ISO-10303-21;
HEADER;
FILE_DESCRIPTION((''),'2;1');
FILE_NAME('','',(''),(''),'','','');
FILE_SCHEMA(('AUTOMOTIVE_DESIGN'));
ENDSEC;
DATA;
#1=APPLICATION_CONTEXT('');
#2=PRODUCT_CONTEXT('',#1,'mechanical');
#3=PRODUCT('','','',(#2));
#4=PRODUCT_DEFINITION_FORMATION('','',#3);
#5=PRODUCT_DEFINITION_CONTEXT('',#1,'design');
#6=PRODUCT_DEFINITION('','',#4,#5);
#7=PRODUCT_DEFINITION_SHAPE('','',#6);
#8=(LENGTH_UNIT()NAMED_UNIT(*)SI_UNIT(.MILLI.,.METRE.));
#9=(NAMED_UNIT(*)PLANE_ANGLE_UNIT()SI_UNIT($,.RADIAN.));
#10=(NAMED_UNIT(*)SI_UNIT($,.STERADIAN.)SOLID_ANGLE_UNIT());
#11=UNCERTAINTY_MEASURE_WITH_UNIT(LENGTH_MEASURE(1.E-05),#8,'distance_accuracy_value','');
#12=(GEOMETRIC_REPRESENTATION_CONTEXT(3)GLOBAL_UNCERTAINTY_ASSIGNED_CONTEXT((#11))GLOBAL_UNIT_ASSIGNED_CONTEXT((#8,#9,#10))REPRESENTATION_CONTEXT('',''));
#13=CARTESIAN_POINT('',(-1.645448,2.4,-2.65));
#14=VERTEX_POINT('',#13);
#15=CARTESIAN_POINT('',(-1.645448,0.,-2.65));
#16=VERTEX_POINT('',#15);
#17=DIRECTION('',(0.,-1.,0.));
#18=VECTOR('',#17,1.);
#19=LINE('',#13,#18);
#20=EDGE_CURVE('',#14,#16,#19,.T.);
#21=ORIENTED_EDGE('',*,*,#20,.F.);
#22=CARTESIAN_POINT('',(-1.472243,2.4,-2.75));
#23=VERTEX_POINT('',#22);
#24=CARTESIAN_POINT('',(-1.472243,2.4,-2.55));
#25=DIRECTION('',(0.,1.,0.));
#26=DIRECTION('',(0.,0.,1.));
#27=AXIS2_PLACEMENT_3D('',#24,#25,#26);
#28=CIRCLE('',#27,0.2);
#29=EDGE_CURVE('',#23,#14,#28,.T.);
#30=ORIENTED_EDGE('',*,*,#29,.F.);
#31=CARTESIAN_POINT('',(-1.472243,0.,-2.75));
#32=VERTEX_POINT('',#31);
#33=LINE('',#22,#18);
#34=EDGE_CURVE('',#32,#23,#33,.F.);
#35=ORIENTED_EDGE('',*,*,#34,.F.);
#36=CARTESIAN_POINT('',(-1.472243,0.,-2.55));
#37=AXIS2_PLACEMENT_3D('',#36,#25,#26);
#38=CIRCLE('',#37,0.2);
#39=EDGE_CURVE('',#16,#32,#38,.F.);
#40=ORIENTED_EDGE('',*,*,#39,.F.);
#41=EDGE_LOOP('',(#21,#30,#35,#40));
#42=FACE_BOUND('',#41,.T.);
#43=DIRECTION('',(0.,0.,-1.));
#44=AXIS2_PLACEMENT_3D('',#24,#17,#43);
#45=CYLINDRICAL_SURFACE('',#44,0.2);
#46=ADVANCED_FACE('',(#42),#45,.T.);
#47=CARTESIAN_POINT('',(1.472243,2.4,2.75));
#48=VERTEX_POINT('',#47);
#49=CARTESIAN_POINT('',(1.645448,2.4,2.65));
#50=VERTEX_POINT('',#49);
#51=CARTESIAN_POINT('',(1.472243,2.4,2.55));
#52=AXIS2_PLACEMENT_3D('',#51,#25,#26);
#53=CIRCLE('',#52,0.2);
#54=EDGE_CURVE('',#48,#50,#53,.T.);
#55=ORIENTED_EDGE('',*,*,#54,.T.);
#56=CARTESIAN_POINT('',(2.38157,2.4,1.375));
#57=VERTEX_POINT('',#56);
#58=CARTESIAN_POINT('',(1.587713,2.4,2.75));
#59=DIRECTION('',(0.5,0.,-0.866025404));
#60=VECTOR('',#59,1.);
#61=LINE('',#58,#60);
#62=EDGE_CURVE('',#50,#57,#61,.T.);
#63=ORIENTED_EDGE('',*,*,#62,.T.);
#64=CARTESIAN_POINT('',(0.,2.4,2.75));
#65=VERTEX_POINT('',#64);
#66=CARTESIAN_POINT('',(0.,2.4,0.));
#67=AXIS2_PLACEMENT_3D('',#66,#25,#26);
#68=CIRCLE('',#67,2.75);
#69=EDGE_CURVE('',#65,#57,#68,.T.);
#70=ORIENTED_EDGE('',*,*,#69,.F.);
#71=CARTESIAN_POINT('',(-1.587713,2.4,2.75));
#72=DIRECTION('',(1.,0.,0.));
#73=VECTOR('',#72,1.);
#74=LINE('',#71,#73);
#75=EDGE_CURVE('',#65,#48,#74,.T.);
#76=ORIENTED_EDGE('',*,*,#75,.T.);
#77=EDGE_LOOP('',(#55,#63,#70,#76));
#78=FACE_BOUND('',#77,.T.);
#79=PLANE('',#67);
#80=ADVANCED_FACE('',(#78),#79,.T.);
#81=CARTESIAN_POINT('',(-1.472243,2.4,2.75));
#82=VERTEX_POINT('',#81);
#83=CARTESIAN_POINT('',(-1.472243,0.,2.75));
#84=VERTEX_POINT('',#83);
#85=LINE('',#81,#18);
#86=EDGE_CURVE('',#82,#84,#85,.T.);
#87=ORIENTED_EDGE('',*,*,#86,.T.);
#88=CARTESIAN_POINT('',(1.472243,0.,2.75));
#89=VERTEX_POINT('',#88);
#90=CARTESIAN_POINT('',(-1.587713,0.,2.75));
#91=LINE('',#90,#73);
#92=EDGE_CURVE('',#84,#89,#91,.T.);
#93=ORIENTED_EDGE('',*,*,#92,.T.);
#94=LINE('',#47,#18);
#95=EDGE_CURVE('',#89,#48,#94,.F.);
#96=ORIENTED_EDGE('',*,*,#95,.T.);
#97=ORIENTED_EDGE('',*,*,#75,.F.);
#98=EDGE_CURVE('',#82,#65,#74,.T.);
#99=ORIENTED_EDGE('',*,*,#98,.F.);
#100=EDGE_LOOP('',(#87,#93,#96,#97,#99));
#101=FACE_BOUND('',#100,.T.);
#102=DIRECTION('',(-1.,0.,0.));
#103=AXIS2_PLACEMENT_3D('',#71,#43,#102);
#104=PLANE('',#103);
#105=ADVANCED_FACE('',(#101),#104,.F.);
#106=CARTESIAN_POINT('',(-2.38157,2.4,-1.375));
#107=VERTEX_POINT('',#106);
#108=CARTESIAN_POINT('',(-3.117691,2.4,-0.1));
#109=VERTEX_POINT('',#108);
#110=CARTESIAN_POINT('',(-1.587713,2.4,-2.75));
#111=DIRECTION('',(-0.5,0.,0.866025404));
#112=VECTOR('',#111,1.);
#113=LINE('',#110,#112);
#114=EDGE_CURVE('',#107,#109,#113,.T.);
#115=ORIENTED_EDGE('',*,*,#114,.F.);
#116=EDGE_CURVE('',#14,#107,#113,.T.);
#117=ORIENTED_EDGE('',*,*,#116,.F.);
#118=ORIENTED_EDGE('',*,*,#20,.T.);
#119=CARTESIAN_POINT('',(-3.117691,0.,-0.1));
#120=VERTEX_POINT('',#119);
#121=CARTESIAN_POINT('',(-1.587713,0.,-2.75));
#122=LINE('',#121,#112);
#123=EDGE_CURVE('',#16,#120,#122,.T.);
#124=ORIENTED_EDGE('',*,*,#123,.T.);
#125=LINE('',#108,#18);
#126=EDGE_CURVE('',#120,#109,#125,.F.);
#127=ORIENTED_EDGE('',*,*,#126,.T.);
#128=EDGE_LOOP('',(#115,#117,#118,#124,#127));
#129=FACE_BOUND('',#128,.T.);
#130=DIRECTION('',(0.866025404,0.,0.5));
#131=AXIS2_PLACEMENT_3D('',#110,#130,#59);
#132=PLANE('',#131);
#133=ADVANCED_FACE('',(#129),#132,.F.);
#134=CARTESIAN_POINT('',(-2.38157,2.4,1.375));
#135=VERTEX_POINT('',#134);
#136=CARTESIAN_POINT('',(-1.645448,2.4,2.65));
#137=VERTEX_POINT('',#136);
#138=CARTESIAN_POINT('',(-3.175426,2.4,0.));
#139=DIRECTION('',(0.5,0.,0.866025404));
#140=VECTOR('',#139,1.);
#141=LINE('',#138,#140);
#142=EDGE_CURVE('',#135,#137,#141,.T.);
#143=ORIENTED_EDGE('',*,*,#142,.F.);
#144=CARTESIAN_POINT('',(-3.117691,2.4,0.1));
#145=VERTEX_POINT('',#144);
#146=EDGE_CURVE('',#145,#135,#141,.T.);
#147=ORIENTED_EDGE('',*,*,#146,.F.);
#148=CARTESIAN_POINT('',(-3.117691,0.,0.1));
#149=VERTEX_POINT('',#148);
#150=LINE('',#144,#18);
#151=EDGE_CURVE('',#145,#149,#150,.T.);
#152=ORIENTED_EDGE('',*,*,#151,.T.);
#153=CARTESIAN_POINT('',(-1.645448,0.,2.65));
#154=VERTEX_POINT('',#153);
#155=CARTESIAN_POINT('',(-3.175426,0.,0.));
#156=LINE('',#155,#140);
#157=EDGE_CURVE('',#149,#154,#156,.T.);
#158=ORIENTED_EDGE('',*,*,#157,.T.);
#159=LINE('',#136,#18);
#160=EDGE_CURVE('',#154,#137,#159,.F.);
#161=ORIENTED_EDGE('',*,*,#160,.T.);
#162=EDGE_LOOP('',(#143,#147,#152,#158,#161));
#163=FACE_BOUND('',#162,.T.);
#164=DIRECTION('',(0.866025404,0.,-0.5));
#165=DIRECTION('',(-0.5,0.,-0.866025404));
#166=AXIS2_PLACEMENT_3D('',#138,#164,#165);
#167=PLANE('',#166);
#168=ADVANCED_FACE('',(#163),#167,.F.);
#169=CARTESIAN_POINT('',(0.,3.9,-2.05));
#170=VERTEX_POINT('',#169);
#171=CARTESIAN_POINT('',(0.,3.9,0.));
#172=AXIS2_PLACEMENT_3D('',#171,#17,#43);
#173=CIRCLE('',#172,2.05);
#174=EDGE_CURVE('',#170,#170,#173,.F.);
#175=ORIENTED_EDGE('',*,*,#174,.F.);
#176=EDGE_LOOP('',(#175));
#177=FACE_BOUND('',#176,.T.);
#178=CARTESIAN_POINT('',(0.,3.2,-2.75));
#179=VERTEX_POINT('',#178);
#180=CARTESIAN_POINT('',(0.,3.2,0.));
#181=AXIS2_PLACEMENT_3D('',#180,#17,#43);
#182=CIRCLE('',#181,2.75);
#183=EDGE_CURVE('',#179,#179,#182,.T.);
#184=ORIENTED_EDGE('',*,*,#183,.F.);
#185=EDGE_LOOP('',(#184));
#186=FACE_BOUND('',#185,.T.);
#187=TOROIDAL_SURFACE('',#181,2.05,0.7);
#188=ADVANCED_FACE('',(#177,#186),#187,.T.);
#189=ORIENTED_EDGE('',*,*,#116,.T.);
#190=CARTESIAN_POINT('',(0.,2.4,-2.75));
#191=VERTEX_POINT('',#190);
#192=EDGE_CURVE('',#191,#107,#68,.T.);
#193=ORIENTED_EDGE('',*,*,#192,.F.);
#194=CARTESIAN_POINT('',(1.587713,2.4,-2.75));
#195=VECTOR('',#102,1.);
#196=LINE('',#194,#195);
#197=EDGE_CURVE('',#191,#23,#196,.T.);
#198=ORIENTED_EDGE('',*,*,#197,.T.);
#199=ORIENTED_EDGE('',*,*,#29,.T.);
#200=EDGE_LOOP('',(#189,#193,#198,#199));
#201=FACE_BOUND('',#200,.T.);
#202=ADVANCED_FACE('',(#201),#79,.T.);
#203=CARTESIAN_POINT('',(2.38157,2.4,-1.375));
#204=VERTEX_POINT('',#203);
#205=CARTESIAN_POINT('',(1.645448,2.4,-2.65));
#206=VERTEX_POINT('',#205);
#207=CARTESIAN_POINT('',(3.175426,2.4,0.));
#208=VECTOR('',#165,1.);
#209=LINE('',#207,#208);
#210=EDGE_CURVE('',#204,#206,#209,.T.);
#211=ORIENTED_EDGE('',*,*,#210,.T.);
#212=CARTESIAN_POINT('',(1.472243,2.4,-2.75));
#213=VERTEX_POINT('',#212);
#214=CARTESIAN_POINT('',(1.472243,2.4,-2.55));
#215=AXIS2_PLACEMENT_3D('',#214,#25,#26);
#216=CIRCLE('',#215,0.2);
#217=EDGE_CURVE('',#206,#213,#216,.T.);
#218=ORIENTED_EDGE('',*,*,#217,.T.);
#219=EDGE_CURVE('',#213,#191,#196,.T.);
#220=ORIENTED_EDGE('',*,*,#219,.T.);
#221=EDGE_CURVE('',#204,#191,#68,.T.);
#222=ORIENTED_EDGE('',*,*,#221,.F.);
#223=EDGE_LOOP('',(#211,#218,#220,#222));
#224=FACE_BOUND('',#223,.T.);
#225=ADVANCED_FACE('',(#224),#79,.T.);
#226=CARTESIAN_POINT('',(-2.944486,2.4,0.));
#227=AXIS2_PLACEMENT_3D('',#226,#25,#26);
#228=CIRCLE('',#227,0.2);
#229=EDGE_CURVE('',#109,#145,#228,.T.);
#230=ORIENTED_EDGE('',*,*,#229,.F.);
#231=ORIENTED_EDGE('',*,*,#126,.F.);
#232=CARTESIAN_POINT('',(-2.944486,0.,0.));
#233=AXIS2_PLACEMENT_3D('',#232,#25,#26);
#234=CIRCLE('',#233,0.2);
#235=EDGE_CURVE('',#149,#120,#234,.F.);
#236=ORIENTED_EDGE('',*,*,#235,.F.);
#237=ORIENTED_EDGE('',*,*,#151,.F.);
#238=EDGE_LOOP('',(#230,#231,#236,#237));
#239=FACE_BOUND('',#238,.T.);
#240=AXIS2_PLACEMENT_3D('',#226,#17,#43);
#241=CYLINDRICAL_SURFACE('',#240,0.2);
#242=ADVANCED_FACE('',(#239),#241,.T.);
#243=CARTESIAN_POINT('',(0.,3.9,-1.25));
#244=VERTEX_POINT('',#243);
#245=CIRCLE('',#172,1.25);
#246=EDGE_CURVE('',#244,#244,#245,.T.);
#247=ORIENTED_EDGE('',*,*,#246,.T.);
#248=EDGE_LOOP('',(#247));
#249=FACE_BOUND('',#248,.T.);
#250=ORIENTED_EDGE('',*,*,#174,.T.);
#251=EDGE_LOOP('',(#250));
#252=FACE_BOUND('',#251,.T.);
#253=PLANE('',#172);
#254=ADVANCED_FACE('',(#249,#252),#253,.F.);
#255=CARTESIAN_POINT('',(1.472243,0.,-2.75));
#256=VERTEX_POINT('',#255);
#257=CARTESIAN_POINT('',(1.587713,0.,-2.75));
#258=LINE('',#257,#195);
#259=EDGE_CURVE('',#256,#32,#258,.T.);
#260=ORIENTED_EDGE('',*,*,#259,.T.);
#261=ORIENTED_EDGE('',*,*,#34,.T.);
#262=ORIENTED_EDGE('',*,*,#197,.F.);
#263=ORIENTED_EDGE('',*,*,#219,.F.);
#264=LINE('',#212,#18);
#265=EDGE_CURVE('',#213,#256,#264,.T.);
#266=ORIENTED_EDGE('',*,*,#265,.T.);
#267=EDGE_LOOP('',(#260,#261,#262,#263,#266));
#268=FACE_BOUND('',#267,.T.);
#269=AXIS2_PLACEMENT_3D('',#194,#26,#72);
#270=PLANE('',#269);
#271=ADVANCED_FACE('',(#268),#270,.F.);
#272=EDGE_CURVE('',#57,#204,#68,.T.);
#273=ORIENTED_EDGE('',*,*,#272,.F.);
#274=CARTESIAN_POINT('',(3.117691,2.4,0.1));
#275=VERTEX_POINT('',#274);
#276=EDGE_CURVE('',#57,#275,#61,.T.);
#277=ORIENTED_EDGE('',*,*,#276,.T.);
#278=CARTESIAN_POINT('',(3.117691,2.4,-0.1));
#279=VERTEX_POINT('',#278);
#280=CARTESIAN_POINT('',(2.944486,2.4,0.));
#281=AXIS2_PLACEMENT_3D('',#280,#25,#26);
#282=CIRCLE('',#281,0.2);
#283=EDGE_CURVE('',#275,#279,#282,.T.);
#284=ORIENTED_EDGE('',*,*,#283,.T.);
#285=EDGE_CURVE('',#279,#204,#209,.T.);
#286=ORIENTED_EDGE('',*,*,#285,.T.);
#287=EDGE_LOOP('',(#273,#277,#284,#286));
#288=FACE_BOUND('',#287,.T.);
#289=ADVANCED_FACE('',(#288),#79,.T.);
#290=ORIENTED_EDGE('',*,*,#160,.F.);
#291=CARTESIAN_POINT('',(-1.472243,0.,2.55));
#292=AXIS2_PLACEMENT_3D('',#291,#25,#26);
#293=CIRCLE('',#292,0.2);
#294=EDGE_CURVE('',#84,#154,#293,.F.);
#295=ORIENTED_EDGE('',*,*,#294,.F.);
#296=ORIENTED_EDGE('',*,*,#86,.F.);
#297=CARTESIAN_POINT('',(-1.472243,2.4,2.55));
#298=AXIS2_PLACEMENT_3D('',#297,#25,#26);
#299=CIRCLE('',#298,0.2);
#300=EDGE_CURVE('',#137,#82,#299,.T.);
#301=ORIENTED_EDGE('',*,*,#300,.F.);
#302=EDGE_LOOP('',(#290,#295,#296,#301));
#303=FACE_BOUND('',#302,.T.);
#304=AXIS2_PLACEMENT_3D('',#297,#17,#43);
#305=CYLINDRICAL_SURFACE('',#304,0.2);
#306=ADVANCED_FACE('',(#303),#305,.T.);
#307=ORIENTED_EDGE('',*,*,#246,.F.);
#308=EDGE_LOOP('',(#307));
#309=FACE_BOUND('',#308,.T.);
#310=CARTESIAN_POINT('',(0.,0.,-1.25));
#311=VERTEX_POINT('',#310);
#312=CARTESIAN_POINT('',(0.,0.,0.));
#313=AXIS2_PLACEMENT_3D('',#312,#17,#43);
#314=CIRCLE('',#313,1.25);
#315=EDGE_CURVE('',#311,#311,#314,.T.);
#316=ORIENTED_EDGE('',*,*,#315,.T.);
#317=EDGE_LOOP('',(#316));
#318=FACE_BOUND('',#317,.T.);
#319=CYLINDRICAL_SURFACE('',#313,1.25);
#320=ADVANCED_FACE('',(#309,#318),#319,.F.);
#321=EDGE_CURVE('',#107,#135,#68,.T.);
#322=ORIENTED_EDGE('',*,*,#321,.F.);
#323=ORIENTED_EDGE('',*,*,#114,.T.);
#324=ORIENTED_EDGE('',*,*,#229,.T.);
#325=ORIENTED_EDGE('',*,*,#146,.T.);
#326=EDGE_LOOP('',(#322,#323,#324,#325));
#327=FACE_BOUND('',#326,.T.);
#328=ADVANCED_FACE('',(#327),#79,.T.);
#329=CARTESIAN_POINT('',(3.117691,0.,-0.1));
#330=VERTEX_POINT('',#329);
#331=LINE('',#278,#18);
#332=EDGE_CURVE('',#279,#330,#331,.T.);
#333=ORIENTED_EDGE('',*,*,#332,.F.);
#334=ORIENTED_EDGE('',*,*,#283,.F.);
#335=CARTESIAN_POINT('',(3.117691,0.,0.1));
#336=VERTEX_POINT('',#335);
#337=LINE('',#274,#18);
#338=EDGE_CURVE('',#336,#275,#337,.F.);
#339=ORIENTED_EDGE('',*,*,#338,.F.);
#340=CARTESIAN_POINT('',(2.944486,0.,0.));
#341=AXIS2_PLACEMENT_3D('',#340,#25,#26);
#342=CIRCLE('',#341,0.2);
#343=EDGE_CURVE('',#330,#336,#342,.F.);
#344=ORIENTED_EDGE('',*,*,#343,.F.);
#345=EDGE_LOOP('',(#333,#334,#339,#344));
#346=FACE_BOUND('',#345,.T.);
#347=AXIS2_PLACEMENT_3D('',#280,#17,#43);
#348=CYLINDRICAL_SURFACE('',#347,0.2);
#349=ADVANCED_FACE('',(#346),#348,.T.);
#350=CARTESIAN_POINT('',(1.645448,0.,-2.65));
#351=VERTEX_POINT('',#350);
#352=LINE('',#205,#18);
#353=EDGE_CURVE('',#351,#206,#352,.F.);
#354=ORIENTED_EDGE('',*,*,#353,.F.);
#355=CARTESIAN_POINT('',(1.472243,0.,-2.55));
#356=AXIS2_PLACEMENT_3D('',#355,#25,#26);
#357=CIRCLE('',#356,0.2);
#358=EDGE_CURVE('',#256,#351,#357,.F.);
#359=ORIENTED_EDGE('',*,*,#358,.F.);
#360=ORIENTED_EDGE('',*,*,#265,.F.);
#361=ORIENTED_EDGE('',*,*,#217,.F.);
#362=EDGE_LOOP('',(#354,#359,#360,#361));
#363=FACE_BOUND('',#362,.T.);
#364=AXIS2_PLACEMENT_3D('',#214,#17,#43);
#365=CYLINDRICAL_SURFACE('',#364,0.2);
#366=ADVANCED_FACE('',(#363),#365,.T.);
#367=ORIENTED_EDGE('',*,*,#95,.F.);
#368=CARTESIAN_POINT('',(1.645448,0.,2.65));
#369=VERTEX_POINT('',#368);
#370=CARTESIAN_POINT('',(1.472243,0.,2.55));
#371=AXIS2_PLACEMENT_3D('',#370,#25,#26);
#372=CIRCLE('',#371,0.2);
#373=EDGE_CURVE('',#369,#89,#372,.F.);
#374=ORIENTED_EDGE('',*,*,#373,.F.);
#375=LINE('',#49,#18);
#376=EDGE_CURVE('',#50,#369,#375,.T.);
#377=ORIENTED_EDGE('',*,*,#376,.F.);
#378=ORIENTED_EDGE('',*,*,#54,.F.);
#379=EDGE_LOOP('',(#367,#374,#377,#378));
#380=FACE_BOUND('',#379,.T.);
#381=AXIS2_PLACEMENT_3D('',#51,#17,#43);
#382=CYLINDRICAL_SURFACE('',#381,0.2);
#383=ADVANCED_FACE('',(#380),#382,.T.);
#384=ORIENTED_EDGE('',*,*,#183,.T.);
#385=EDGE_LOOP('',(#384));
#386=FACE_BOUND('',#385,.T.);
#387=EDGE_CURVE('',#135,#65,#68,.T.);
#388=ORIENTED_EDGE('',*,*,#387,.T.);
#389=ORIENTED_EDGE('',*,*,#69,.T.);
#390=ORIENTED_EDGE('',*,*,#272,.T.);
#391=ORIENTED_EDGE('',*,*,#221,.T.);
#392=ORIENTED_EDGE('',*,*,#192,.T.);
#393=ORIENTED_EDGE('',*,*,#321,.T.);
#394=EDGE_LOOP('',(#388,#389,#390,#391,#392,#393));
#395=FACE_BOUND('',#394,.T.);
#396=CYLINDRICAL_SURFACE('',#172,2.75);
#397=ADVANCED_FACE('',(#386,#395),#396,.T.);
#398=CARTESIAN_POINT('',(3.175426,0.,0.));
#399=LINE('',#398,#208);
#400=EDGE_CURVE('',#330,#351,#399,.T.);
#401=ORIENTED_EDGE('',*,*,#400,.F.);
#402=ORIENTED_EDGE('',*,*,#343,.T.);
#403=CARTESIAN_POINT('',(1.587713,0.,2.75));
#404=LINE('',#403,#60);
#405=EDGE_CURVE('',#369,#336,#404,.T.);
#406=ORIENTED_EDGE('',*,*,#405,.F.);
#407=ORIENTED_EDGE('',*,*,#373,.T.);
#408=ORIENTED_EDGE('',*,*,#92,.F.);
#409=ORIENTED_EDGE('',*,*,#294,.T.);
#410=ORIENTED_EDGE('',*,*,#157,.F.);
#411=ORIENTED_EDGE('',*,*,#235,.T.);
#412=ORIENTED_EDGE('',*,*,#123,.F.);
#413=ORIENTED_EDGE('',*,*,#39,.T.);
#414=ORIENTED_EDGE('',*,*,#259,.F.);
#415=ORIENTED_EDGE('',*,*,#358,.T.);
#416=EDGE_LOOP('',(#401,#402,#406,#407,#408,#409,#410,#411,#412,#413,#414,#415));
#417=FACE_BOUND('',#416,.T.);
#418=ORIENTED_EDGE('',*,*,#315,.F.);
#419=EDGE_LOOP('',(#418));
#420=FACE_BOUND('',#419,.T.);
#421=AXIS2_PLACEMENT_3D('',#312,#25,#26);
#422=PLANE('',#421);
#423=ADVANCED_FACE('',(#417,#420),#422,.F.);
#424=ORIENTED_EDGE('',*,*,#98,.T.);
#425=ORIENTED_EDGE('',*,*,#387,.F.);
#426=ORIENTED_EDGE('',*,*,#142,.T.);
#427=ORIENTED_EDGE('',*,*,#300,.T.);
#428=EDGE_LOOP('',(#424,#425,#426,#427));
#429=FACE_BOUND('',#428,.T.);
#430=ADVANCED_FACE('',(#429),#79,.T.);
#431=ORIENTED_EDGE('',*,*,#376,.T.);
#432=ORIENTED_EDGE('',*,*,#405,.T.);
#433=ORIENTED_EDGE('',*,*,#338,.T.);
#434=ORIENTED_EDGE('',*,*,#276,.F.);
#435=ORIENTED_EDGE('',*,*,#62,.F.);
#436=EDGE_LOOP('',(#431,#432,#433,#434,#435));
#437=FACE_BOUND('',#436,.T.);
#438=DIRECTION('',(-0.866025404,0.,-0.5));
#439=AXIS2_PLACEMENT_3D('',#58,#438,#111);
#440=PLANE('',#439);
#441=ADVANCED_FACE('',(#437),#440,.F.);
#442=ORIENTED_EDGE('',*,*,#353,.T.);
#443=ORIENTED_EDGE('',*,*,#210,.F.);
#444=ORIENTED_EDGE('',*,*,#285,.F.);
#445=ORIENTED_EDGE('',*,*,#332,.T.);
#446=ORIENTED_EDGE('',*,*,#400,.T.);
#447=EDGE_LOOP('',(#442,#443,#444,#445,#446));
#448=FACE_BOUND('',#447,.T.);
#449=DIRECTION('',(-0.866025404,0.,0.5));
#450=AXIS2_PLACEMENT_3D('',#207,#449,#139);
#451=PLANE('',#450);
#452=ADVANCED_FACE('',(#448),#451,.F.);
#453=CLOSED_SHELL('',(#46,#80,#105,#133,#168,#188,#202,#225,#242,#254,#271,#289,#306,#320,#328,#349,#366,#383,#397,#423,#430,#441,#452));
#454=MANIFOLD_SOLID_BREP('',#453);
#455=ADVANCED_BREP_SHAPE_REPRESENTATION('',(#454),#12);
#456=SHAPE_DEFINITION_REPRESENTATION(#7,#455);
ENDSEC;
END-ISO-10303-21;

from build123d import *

# Parameters (mm, degrees)
BOSS_EXTRUDE1_DEPTH = 2.4
SKETCH2_R           = 2.75
BOSS_EXTRUDE2_DEPTH = 3.9
FILLET1_R           = 0.7
FILLET2_R           = 0.2
M3_TAPPED_HOLE1_D   = 2.5


with BuildPart() as part:
    # Sketch1 → Boss-Extrude1 (new body)
    with BuildSketch(Plane(origin=(0, 0, 0), x_dir=(1, 0, 0), z_dir=(0, 1, 0))):
        Polygon((3.175426481, 0), (1.58771324, 2.75), (-1.58771324, 2.75), (-3.175426481, 0), (-1.58771324, -2.75), (1.58771324, -2.75), align=None)
    extrude(amount=BOSS_EXTRUDE1_DEPTH)

    # Sketch2 → Boss-Extrude2 (add)
    with BuildSketch(Plane.XZ):
        Circle(SKETCH2_R)
    extrude(amount=-BOSS_EXTRUDE2_DEPTH)

    # Fillet1
    fillet1_edges = [part.edges().sort_by_distance(p)[0] for p in [
        (-2.75, 3.9, 0),
    ]]
    fillet(fillet1_edges, radius=FILLET1_R)

    # Fillet2
    fillet2_edges = [part.edges().sort_by_distance(p)[0] for p in [
        (1.58771324, 1.2, 2.75),
        (-1.58771324, 1.2, 2.75),
        (-3.175426481, 1.2, 0),
        (-1.58771324, 1.2, -2.75),
        (1.58771324, 1.2, -2.75),
        (3.175426481, 1.2, 0),
    ]]
    fillet(fillet2_edges, radius=FILLET2_R)

    # M3 Tapped Hole1 (through all)
    with Locations(Plane(origin=(0, 0, 0), x_dir=(-1, 0, 0), z_dir=(0, -1, 0))):
        with Locations((0, 0)):
            Hole(M3_TAPPED_HOLE1_D / 2)


solid = part.part
